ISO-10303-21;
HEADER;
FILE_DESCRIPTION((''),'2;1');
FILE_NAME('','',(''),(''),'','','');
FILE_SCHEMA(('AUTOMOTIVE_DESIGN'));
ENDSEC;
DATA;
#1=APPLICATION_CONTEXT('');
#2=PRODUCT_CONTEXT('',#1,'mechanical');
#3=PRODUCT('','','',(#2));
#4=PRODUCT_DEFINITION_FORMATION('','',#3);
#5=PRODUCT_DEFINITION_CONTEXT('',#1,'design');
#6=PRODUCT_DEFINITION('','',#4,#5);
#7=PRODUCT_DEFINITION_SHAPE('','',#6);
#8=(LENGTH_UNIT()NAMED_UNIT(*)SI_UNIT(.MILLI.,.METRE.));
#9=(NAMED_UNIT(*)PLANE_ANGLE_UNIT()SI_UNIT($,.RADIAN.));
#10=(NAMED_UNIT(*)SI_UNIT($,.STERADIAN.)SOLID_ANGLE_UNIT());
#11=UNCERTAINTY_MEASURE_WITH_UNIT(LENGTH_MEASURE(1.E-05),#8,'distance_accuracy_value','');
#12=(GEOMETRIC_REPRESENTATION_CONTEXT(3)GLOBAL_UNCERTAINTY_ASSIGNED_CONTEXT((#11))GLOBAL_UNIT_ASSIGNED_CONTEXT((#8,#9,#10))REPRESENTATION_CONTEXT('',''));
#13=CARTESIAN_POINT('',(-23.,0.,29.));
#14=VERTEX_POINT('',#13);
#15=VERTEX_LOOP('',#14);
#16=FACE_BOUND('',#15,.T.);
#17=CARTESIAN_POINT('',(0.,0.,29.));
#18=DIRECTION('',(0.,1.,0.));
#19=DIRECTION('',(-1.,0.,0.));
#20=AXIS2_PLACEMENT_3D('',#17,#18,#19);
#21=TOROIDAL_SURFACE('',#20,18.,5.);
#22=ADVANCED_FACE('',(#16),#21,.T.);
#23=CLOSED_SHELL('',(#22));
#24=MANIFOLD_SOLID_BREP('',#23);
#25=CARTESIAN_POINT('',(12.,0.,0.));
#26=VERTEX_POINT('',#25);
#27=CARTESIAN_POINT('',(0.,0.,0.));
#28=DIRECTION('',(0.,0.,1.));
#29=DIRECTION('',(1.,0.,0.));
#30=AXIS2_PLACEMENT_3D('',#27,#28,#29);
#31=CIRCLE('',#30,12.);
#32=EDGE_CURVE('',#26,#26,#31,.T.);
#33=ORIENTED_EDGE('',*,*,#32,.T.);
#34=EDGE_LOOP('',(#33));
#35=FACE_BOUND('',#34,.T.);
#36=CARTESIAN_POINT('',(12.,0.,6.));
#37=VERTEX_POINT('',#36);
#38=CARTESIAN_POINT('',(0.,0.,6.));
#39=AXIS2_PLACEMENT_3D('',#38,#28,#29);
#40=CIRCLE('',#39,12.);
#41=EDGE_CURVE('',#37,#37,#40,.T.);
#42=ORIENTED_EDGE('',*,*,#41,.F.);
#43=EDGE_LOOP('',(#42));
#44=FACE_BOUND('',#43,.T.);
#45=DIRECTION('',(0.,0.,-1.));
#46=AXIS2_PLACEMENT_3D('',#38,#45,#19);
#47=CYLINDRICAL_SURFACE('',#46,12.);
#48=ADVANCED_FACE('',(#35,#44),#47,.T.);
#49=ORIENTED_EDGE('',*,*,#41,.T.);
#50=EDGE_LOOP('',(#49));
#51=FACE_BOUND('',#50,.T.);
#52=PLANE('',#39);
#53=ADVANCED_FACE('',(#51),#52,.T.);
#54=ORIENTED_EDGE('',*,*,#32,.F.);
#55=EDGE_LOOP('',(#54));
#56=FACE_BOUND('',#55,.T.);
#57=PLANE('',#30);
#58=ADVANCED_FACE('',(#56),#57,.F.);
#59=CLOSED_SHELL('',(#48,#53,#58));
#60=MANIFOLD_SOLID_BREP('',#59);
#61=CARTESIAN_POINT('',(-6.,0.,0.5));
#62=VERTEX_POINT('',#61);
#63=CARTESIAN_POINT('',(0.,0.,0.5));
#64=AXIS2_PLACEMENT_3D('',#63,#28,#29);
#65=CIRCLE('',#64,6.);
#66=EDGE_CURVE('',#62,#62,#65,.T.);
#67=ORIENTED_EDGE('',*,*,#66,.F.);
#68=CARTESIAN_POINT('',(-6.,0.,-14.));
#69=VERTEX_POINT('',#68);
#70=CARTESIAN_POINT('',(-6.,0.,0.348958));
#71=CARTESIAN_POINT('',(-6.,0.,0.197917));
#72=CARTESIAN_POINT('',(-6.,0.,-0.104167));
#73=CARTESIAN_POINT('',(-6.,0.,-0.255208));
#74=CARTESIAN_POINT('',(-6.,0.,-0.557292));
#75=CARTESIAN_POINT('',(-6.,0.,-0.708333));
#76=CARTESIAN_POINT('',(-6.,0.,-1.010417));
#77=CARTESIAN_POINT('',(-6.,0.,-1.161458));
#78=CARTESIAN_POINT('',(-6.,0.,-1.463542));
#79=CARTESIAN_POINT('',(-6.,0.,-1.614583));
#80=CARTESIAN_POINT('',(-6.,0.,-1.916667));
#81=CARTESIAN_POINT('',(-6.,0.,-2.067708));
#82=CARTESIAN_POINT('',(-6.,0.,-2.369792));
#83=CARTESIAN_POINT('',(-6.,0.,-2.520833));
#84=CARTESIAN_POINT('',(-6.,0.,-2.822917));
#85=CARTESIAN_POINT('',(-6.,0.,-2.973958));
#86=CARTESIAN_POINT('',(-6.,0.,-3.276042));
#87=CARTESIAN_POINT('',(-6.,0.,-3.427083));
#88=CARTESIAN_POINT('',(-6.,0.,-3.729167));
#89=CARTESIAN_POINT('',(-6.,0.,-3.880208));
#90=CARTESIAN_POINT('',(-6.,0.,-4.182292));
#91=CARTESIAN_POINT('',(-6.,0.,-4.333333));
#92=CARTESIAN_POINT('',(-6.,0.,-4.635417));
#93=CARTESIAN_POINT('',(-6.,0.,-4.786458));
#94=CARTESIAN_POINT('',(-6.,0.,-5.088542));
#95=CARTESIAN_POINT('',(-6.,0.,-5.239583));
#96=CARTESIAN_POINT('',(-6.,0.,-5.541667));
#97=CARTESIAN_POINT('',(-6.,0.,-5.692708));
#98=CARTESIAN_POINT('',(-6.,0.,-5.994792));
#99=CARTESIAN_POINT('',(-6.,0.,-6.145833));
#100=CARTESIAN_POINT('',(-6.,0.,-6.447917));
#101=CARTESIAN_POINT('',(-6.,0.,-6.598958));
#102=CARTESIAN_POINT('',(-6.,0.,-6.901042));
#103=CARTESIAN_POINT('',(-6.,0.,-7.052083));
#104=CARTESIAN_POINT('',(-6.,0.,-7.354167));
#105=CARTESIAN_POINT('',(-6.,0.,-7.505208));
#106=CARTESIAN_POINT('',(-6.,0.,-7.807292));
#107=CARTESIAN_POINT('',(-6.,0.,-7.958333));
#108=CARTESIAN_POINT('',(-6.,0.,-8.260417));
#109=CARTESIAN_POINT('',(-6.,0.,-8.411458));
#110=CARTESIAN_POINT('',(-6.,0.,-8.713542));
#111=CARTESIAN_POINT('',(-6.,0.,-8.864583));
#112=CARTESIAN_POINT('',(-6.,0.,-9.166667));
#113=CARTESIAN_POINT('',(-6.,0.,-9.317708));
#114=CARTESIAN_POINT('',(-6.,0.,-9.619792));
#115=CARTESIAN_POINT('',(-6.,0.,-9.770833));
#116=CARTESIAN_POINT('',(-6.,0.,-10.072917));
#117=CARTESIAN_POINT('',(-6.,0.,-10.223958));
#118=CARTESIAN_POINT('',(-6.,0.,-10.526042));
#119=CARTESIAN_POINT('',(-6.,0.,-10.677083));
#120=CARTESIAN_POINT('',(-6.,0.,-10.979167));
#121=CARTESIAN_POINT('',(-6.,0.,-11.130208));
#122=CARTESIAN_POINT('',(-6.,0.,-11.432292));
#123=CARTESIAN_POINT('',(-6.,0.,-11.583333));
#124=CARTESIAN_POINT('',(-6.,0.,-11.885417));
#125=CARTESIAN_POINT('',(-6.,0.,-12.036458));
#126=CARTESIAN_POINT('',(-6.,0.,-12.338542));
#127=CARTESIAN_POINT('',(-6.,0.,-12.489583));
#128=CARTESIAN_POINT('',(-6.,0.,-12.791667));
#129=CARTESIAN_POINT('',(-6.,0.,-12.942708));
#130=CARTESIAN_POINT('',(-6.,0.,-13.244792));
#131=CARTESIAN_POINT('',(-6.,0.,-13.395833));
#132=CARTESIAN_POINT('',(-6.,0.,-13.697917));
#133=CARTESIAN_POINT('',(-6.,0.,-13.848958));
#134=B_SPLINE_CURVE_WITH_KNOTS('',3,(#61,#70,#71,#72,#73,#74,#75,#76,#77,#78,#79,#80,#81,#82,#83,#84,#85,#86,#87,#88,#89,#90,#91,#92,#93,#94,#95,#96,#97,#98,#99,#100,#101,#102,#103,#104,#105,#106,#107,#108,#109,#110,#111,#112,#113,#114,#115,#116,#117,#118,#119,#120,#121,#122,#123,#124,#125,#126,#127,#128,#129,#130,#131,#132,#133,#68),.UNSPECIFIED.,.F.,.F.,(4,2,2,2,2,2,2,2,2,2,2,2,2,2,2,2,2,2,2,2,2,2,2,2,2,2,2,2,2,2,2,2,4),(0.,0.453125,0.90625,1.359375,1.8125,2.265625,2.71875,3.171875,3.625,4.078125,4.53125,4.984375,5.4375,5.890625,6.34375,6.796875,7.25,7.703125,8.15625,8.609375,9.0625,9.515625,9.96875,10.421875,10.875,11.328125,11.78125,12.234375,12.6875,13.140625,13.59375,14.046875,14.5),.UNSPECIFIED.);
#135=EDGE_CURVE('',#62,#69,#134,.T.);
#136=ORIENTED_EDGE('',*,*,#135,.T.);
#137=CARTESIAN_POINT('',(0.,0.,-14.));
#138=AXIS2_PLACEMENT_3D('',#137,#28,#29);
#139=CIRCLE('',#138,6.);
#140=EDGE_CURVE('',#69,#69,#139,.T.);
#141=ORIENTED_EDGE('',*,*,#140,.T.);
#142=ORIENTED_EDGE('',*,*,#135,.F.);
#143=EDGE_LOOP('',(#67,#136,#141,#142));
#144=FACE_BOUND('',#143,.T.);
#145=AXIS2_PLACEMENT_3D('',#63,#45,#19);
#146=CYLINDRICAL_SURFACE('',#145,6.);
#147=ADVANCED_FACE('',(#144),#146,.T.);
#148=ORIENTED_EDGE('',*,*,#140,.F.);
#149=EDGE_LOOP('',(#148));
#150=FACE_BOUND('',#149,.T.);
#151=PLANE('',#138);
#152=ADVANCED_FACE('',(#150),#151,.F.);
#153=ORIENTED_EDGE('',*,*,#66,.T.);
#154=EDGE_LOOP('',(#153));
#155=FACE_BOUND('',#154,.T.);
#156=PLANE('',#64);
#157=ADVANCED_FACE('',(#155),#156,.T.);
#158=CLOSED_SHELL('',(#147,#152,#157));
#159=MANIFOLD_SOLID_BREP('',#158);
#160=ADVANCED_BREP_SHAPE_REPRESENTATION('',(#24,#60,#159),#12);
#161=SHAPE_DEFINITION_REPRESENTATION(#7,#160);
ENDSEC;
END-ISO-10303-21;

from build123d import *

# Parameters (mm, degrees)
EXTRUDE_START          = -14
EXTRUDE_SKETCH_1_R     = 6
EXTRUDE_1_DEPTH        = 14.5
EXTRUDE_SKETCH_2_R     = 12
EXTRUDE_2_DEPTH        = 6
REVOLVE_PROFILE_1_R    = 5
REVOLVE_ROTATE_1_ANGLE = 90


with BuildPart() as part:
    # Extrude sketch 1 → Extrude 1 (new body)
    with BuildSketch(Plane.XY.offset(EXTRUDE_START)):
        with Locations(Location((0, 0, 0), (0, 0, 180))):
            Circle(EXTRUDE_SKETCH_1_R)
    extrude(amount=EXTRUDE_1_DEPTH)


with BuildPart() as body_2:
    # Extrude sketch 2 → Extrude 2 (new body)
    with BuildSketch(Plane.XY):
        Circle(EXTRUDE_SKETCH_2_R)
    extrude(amount=EXTRUDE_2_DEPTH)


with BuildPart() as body_3:
    # Revolve profile 1 → Revolve 1 (revolve)
    with BuildSketch(Plane(origin=(0, 0, 0), x_dir=(1, 0, 0), z_dir=(0, 1, 0)), mode=Mode.PRIVATE) as revolve_1_sk:
        with Locations((18, 0)):
            Circle(REVOLVE_PROFILE_1_R)
    revolve(revolve_1_sk.sketch.rotate(Axis((0, 0, -10), (0, 0, 1)), 180), axis=Axis((0, 0, -10), (0, 0, 1)))


with BuildPart() as body_3_1:
    # Revolve rotate 1: moved
    add(body_3.part.rotate(Axis((0, 0, 0), (1, 0, 0)), REVOLVE_ROTATE_1_ANGLE))


with BuildPart() as body_3_2:
    # Revolve place 1: moved
    add(body_3_1.part.moved(Location((0, 0, 29))))


solid = Compound([part.part, body_2.part, body_3_2.part])
